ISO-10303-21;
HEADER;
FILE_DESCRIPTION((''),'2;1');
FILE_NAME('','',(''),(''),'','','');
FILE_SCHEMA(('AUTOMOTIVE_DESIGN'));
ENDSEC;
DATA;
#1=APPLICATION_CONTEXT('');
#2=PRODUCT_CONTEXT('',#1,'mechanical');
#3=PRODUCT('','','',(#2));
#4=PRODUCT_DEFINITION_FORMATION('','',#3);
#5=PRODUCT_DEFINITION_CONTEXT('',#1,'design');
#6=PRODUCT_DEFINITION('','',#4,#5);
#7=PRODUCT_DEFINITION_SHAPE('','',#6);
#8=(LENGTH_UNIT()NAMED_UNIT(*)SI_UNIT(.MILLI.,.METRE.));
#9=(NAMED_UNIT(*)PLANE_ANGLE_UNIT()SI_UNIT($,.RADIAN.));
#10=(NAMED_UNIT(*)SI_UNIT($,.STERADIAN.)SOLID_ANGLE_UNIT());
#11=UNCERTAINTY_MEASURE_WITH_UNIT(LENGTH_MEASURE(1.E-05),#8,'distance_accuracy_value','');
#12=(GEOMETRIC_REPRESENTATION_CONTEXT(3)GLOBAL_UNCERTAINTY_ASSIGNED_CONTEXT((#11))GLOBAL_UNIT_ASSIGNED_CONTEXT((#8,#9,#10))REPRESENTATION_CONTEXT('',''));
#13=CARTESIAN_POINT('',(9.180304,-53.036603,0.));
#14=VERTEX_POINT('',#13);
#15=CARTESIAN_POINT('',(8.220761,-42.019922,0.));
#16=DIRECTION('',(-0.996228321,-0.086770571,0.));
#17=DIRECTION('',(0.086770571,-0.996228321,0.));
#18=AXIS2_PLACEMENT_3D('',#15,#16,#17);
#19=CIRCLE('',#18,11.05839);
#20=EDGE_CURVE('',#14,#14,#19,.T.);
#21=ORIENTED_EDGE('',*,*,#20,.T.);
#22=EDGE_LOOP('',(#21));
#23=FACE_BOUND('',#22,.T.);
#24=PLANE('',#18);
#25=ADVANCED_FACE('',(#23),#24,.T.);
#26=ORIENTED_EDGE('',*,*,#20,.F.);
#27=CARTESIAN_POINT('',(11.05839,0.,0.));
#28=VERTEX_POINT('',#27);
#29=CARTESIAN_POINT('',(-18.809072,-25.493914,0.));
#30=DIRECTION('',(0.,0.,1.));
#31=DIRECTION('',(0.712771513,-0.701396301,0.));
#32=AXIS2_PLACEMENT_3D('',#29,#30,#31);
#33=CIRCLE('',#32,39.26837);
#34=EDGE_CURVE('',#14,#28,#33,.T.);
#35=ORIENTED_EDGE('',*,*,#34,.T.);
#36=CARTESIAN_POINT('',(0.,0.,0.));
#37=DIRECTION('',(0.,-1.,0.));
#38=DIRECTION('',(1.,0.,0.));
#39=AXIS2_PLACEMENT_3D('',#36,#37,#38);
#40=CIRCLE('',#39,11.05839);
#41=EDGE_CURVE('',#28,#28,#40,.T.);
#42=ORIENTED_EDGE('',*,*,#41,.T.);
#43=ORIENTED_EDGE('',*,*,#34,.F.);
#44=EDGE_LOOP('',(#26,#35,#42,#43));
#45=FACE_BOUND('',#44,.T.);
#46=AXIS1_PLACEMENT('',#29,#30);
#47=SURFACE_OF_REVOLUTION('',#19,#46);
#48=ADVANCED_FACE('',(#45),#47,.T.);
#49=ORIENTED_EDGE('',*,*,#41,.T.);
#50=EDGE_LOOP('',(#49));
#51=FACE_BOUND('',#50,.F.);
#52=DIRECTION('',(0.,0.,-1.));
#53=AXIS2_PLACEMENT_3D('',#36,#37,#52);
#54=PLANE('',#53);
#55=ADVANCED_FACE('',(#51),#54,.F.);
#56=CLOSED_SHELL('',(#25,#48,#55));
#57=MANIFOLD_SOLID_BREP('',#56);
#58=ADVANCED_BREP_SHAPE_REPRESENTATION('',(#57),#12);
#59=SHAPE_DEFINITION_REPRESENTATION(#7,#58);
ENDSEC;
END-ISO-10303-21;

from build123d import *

# Parameters (mm, degrees)
F0_R = 11.0583897555


with BuildPart() as f2:
    # F2: sweep along a path in F1
    with BuildLine(Plane.XY) as f2_path:
        ThreePointArc((8.2207610831, -42.0199222863), (12.2830455922, -19.4110641643), (0, 0))
    # F0 (on Front) → F2 (sweep)
    with BuildSketch(Plane.XZ):
        Circle(F0_R)
    sweep(path=f2_path.line)


solid = f2.part
